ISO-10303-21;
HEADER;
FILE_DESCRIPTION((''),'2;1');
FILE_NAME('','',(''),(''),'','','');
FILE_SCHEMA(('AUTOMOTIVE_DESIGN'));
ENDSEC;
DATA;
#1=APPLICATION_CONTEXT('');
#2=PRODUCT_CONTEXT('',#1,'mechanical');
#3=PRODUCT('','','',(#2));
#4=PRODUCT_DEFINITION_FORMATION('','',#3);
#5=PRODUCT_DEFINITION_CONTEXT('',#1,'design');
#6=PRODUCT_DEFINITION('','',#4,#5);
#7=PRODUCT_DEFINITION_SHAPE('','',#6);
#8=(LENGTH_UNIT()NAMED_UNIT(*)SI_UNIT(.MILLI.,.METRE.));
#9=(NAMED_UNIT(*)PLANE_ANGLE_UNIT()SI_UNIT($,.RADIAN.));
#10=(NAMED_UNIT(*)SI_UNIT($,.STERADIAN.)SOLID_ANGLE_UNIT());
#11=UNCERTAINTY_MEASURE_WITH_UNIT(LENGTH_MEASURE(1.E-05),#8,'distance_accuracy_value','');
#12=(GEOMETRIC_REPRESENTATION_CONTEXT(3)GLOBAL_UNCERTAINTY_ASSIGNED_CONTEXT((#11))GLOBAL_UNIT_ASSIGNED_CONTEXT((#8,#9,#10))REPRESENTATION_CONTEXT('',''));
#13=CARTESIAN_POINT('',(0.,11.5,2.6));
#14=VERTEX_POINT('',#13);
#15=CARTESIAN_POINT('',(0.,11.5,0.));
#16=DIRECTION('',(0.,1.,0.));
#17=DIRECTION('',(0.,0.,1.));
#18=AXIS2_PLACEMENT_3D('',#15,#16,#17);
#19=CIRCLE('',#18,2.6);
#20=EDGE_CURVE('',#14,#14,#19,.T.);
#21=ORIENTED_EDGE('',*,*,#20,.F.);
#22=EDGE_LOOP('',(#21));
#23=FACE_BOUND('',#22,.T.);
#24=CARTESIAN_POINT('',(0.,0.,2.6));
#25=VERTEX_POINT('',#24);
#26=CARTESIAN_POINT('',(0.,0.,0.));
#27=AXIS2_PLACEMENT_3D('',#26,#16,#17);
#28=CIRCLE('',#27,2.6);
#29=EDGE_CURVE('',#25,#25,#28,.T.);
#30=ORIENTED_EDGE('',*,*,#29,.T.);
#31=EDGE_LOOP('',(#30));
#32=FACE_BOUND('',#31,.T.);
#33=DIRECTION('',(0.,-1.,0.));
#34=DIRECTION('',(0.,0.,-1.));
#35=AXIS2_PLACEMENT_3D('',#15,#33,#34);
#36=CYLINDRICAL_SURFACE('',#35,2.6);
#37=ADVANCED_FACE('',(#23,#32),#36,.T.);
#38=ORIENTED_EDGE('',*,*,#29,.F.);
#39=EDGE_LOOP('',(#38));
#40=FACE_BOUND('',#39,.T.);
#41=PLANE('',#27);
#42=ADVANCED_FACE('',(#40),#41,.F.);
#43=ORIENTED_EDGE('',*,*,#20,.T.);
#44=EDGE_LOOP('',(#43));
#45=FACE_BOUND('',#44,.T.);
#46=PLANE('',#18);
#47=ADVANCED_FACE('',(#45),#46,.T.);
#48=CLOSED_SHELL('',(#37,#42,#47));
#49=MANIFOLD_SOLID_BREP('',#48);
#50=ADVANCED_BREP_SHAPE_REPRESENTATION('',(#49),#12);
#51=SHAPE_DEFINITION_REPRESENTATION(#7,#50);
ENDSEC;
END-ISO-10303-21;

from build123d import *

# Parameters (mm, degrees)
SKETCH1_R           = 2.6
BOSS_EXTRUDE1_DEPTH = 11.5


with BuildPart() as part:
    # Sketch1 → Boss-Extrude1 (new body)
    with BuildSketch(Plane(origin=(0, 0, 0), x_dir=(1, 0, 0), z_dir=(0, 1, 0))):
        Circle(SKETCH1_R)
    extrude(amount=BOSS_EXTRUDE1_DEPTH)


solid = part.part
